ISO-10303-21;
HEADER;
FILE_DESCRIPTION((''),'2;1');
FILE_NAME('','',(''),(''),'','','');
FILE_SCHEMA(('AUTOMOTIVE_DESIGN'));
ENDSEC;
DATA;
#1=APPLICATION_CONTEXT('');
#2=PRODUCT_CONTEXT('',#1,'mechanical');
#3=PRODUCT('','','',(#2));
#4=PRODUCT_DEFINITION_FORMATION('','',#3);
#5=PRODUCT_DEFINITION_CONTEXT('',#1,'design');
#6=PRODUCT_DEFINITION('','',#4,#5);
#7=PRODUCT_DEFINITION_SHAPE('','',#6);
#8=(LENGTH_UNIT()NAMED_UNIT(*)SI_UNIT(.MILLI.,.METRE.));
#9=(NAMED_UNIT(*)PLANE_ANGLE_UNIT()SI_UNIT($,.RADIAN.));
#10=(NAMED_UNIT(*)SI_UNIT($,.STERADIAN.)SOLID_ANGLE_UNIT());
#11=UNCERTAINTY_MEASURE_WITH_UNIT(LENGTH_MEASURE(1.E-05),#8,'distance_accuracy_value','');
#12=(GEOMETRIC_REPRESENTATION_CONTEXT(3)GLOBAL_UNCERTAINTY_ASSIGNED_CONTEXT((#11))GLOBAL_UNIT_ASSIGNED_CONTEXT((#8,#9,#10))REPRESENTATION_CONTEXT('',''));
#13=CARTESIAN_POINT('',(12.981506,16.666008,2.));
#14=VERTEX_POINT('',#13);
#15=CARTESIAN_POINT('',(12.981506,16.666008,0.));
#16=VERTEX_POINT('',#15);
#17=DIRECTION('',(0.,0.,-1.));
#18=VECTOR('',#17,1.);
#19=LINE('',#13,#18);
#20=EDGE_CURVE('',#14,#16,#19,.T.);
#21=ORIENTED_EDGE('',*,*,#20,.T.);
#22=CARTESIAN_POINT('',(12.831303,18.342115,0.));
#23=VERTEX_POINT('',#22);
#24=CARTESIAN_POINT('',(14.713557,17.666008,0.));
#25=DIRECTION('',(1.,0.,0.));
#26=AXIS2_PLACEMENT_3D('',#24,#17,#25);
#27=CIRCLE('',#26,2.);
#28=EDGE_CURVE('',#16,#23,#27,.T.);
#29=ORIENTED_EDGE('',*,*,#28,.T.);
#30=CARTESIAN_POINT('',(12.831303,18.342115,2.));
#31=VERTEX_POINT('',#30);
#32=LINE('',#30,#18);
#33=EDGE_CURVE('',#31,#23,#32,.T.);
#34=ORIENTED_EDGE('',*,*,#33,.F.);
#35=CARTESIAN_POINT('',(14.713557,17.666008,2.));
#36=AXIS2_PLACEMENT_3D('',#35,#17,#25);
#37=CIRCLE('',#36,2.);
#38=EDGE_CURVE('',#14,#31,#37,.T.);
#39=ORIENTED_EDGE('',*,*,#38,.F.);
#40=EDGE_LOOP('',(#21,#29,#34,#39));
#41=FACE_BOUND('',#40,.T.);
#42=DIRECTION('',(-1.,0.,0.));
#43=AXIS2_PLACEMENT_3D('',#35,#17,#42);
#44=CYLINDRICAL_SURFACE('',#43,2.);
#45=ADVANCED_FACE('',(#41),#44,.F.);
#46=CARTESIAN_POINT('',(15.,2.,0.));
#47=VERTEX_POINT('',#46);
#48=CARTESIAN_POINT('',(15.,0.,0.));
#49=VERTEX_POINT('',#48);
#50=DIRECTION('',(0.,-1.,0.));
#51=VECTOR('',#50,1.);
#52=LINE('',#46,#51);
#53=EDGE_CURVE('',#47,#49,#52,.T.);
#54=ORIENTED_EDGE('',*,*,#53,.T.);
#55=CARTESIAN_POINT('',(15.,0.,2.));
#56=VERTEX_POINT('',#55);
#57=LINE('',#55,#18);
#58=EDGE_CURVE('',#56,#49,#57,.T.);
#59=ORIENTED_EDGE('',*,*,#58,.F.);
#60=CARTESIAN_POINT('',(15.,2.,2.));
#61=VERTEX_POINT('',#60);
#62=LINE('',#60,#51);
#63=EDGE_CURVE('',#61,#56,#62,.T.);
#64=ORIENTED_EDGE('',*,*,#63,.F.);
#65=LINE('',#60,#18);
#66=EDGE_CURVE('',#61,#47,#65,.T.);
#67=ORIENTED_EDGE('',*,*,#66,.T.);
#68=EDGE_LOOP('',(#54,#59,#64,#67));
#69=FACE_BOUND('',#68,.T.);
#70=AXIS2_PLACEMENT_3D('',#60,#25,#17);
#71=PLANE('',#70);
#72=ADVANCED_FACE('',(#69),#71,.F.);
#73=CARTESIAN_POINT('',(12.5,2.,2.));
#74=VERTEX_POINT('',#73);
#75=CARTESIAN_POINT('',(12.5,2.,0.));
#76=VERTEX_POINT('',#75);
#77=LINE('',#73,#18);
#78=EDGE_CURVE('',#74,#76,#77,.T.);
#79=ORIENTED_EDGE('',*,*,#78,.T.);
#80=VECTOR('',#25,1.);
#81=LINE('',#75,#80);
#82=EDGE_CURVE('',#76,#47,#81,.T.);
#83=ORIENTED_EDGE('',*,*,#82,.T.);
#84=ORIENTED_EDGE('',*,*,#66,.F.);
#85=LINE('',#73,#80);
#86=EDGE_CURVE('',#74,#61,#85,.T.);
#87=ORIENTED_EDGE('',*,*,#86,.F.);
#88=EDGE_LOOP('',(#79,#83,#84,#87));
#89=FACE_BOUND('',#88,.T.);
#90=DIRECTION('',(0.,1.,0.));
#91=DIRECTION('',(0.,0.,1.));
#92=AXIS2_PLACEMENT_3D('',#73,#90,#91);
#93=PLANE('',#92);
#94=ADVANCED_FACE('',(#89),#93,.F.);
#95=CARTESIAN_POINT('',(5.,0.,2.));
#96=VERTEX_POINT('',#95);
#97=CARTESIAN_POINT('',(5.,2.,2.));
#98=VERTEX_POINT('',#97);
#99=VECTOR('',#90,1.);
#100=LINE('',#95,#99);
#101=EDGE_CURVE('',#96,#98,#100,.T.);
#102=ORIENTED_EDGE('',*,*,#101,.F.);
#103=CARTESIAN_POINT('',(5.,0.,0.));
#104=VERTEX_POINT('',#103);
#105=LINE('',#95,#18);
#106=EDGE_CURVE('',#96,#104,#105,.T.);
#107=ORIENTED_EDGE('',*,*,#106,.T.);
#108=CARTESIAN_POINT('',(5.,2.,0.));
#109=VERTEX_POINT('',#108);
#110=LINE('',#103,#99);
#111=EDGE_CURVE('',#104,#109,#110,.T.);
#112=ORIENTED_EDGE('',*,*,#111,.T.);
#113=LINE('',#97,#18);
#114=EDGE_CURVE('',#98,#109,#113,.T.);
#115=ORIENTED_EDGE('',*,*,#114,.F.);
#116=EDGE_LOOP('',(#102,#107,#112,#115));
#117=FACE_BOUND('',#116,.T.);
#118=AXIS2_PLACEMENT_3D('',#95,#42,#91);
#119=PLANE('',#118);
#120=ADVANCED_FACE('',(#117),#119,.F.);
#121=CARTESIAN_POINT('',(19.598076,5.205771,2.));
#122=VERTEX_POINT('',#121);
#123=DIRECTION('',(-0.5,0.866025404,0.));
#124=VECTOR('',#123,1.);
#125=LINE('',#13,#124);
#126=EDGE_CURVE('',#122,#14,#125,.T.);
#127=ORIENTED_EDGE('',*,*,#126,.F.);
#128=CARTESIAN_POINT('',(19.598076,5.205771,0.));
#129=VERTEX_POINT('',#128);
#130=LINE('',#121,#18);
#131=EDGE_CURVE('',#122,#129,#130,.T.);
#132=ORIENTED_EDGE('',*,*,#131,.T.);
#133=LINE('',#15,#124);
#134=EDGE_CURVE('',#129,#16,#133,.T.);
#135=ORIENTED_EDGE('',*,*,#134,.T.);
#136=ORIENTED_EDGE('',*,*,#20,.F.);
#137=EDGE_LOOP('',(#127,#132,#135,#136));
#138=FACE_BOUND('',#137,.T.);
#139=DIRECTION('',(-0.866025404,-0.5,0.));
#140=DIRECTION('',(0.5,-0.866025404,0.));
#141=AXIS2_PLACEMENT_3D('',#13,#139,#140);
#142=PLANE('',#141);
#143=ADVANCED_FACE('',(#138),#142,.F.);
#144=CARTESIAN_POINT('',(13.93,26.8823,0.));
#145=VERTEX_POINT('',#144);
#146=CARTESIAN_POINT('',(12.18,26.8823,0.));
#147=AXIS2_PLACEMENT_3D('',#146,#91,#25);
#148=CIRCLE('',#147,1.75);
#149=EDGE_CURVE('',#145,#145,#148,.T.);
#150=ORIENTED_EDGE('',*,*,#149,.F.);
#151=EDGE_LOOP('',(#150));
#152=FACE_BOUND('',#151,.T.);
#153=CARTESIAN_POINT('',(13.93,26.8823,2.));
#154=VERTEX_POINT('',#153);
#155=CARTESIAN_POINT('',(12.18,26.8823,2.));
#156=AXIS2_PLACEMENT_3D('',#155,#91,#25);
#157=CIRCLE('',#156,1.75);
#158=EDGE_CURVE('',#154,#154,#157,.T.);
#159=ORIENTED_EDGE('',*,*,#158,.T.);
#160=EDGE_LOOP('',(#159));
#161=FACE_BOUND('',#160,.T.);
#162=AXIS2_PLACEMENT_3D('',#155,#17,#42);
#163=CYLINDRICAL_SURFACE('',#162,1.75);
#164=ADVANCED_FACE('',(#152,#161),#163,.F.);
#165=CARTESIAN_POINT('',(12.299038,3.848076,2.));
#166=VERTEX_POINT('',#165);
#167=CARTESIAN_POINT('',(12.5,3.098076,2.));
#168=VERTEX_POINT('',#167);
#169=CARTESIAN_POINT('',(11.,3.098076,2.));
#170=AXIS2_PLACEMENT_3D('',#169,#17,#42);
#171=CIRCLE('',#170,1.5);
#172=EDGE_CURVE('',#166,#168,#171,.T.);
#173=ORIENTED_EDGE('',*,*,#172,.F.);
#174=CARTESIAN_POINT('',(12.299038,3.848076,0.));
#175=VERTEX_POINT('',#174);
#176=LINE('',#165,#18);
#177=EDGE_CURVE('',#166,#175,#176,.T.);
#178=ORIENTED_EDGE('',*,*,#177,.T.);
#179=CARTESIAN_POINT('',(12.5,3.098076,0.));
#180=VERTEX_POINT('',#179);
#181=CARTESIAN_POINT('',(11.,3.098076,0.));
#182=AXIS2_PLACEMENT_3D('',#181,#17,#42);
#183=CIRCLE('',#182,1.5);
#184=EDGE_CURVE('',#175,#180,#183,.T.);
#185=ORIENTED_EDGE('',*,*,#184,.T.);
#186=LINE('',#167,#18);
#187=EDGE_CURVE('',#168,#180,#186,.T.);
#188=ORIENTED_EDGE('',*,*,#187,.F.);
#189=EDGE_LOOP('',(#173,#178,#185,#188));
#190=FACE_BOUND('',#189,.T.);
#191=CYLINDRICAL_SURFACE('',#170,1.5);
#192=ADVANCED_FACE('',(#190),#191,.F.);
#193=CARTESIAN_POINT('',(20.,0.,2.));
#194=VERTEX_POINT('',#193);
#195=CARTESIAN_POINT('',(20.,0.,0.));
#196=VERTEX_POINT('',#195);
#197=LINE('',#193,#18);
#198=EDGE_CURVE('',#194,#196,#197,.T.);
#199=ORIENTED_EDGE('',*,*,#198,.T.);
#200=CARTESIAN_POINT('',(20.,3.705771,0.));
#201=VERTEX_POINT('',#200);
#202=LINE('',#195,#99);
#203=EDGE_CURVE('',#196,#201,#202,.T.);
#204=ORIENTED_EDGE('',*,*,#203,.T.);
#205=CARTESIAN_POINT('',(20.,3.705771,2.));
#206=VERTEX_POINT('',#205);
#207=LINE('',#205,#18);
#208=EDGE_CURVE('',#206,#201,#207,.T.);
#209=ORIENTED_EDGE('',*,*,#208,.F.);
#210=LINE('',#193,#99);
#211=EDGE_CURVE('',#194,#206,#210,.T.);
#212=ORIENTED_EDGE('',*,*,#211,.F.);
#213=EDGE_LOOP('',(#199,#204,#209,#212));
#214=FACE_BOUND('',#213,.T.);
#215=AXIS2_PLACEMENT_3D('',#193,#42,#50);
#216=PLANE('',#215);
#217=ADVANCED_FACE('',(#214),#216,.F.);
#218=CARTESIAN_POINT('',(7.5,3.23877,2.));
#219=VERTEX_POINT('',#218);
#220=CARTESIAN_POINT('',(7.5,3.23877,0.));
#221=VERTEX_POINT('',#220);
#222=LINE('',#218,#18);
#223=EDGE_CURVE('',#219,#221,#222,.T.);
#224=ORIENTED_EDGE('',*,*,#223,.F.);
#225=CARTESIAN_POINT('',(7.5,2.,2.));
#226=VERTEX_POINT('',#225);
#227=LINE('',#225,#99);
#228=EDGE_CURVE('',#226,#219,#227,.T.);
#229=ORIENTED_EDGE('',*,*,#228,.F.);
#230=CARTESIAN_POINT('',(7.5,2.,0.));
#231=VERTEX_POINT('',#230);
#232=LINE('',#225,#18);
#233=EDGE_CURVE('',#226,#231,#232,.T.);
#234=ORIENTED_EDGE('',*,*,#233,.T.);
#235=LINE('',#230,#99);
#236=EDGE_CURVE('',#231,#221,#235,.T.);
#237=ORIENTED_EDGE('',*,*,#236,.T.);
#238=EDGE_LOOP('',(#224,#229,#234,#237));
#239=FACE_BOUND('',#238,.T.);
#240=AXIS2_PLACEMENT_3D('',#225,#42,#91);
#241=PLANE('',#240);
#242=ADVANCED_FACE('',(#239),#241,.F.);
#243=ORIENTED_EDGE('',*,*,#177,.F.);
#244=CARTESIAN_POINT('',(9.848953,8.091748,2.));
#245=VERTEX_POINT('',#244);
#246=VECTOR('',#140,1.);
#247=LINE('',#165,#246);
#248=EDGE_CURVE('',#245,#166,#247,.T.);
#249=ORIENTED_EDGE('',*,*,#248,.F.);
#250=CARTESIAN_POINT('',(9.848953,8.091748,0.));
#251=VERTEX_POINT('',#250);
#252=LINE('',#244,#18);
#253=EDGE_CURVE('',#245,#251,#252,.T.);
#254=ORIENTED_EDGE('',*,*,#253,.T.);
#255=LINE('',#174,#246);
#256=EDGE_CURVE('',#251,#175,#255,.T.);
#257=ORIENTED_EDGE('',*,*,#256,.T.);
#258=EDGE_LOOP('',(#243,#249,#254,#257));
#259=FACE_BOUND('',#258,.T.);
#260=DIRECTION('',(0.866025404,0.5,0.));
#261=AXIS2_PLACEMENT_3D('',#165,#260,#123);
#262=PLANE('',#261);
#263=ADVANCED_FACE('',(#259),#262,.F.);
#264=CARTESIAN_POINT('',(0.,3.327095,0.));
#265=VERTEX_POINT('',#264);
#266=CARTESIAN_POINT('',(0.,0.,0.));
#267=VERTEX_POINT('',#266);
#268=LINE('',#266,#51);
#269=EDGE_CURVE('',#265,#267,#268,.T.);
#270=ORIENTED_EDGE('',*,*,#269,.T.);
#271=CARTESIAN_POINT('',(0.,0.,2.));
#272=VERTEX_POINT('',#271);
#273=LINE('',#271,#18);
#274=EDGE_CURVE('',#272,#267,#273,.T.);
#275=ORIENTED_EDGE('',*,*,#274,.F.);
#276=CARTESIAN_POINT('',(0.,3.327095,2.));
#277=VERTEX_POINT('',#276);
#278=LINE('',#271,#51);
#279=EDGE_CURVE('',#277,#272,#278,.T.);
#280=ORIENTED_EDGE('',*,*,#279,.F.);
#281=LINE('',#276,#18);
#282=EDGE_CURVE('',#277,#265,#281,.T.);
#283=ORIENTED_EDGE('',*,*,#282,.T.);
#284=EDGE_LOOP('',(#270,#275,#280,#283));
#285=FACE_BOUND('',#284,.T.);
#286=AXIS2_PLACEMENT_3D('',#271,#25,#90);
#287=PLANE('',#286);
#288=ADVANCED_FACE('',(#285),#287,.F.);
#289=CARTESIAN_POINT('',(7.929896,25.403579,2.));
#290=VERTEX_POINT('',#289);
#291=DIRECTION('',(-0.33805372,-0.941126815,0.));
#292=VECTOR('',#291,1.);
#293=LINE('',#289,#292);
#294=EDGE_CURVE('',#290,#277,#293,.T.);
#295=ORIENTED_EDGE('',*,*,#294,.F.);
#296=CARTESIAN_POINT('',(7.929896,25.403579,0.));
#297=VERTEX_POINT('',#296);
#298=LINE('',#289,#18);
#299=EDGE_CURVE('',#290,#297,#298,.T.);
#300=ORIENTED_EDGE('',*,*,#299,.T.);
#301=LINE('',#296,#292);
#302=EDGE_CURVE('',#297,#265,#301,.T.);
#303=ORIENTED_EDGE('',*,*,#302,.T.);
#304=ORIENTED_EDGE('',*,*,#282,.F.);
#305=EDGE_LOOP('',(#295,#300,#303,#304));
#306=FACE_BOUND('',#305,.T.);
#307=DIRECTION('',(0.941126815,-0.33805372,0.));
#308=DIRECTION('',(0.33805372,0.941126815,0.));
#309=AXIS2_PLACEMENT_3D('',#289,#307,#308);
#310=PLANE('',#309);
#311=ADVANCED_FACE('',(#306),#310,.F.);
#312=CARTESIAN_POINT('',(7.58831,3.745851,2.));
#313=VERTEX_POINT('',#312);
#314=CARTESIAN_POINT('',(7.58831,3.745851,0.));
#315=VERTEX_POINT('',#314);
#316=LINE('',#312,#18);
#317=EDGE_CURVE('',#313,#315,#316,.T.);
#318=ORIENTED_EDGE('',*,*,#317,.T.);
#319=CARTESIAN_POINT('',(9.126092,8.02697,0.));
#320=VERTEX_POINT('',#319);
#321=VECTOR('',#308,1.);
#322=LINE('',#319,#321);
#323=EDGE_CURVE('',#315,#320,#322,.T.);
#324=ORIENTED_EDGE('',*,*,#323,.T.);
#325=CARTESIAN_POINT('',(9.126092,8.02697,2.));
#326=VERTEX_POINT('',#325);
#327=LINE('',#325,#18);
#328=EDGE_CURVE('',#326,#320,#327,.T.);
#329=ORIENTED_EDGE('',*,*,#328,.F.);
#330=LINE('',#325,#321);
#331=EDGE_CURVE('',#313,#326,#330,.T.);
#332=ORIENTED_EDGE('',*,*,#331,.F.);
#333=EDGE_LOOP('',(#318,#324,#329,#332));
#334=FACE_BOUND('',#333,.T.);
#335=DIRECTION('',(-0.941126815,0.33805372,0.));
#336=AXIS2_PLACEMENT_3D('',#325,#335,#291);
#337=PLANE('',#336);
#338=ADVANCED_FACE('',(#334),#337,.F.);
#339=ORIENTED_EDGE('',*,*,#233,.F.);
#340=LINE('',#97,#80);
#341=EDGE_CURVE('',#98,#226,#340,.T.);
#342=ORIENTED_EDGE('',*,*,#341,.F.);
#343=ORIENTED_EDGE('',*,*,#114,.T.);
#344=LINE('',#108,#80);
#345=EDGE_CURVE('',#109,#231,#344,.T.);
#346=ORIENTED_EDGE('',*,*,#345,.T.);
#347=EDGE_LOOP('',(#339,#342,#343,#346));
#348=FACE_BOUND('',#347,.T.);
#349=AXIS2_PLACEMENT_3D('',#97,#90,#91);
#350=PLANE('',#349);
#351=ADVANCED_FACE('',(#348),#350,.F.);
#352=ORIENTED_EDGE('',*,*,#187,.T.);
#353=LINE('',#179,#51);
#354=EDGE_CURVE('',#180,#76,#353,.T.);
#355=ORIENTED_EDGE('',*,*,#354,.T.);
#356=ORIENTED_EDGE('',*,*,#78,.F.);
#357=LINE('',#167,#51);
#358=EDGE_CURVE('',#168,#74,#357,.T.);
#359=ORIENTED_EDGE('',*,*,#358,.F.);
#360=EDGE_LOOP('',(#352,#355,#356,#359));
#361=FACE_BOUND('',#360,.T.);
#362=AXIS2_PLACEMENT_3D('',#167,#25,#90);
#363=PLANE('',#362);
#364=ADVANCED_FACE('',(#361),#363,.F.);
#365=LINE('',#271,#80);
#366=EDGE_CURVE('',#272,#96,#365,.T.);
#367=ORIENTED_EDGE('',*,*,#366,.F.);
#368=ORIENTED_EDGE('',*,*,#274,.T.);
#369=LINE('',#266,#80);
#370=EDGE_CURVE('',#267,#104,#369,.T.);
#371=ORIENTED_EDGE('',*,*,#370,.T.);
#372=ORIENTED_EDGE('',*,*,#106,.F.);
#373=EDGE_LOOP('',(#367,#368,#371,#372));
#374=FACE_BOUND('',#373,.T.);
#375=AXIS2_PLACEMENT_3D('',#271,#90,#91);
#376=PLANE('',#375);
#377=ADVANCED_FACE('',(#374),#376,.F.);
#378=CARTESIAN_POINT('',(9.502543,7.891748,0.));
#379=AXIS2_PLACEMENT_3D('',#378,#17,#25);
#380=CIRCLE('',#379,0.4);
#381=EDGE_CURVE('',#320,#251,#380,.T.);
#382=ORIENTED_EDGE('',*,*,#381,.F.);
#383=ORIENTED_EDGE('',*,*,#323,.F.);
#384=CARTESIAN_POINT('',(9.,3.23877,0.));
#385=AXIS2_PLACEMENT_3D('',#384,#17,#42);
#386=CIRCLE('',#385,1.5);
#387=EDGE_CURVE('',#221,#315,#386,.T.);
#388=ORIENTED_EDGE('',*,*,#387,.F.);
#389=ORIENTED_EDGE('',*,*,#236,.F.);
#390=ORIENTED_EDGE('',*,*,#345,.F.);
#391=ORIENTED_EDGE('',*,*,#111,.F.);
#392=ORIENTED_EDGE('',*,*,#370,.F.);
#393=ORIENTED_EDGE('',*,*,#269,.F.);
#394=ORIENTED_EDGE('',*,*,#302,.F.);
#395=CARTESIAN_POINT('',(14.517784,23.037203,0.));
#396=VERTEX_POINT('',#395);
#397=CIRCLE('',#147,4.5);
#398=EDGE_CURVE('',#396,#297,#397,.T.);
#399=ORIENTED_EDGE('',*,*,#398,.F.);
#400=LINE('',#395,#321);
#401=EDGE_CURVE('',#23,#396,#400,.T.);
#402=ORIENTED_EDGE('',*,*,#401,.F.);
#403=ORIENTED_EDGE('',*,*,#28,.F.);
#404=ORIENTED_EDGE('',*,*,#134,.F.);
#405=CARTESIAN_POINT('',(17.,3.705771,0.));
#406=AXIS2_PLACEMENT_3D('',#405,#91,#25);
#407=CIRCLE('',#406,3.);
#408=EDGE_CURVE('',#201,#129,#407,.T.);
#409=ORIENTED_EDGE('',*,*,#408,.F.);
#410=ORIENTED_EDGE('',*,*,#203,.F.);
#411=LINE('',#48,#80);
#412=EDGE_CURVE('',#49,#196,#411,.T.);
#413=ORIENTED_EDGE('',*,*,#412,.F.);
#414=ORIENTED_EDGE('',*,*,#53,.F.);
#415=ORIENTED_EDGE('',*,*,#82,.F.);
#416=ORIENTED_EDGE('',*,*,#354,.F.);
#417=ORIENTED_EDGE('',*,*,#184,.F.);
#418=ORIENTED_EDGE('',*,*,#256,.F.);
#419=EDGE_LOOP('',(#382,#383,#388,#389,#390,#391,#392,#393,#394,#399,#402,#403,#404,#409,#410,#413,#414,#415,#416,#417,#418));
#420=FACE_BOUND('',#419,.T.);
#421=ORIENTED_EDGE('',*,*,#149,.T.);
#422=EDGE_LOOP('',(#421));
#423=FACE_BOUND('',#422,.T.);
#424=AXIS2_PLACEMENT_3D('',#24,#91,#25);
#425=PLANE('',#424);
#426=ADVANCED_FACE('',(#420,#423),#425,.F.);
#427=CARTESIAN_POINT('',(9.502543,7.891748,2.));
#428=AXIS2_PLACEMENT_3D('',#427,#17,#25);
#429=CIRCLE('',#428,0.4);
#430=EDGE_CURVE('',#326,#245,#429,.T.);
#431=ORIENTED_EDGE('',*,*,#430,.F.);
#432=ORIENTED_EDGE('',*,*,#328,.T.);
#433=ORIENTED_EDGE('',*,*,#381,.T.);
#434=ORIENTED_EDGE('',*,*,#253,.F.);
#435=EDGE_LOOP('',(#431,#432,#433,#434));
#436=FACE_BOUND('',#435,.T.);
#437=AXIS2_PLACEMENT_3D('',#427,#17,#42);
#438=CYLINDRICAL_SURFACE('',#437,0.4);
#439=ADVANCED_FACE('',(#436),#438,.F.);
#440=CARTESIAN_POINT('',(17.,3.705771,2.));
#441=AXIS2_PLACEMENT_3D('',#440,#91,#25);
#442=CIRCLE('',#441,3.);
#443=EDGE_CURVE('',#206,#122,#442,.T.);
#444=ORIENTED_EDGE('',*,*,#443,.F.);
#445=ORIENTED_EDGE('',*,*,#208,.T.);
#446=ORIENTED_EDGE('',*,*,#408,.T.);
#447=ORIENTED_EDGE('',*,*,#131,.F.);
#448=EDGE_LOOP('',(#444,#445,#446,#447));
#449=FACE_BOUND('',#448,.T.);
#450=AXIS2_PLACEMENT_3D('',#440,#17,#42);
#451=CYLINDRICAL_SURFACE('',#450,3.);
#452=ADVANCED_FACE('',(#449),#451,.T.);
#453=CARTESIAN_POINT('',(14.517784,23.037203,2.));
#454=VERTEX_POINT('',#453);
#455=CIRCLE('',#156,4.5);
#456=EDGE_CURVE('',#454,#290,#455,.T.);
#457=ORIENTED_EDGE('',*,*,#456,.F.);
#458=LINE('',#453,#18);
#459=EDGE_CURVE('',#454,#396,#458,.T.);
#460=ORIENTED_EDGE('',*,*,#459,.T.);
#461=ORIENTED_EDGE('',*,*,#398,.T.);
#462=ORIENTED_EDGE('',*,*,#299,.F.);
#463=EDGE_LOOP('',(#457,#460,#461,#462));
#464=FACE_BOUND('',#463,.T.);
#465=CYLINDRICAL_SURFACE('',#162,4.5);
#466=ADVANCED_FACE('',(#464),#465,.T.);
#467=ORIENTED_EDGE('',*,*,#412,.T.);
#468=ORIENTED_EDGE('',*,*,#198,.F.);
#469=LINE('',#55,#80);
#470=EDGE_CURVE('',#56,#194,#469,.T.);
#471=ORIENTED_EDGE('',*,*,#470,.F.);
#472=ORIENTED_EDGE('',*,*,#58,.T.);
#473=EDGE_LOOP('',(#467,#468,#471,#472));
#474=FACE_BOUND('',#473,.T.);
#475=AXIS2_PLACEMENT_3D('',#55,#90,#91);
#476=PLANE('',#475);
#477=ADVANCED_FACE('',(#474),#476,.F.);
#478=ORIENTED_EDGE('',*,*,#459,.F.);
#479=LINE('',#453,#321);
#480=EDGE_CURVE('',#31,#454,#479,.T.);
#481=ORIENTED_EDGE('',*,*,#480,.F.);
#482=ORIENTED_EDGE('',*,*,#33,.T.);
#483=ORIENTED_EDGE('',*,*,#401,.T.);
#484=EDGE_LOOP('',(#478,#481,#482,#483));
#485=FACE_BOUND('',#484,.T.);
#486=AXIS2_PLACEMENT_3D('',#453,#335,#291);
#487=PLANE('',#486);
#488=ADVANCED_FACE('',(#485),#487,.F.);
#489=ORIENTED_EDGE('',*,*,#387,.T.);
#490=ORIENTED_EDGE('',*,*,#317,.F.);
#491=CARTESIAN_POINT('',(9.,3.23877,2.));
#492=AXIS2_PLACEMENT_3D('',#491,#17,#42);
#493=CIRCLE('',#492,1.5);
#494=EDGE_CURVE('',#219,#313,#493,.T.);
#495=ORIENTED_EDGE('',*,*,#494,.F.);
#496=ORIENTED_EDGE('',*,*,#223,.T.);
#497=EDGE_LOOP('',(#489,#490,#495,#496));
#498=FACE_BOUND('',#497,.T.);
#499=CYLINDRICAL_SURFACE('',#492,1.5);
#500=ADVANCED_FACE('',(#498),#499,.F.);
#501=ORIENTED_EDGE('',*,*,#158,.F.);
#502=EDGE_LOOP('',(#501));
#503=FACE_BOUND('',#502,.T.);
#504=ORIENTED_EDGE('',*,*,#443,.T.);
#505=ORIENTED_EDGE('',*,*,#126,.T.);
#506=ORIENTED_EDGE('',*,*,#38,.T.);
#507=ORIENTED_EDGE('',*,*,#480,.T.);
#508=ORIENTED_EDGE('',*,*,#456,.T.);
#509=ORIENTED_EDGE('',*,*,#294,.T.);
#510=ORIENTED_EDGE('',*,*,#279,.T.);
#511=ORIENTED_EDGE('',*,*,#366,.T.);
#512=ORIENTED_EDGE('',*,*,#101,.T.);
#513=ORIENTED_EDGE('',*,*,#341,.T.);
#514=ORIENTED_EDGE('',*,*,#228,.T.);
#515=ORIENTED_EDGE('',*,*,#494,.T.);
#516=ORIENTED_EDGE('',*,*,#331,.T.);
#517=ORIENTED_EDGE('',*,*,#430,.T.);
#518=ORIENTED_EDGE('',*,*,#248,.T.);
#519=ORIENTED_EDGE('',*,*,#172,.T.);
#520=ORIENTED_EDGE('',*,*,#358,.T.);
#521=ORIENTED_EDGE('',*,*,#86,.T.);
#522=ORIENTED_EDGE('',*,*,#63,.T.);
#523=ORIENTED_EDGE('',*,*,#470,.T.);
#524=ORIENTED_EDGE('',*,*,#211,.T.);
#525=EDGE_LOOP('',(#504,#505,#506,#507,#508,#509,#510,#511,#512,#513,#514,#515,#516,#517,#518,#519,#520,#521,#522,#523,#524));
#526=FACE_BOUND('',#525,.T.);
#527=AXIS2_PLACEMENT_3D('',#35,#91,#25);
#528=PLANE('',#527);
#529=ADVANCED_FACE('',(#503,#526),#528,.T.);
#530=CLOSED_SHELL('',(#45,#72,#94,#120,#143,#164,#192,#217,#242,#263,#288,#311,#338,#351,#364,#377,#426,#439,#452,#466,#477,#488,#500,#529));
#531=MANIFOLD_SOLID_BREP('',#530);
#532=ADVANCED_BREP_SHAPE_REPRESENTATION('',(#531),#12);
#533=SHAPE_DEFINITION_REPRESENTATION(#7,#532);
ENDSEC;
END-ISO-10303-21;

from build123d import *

# Parameters (mm, degrees)
SKETCH1_R           = 1.75
BOSS_EXTRUDE1_DEPTH = 2


with BuildPart() as part:
    # Sketch1 → Boss-Extrude1 (new body)
    with BuildSketch(Plane.XY):
        with BuildLine():
            Line((0, 0), (0, 3.327095189))
            Line((0, 3.327095189), (7.929895835, 25.403579408))
            ThreePointArc((7.929895835, 25.403579408), (13.70124174, 31.117370669), (14.517783542, 23.037203368))
            Line((14.517783542, 23.037203368), (12.831302958, 18.342114962))
            ThreePointArc((12.831302958, 18.342114962), (12.721539225, 17.487494723), (12.981505781, 16.666007522))
            Line((12.981505781, 16.666007522), (19.598076211, 5.205771366))
            ThreePointArc((19.598076211, 5.205771366), (19.897777479, 4.482228501), (20, 3.705771366))
            Line((20, 3.705771366), (20, 0))
            Line((20, 0), (15, 0))
            Line((15, 0), (15, 2))
            Line((15, 2), (12.5, 2))
            Line((12.5, 2), (12.5, 3.098076211))
            ThreePointArc((12.5, 3.098076211), (12.448888739, 3.486304779), (12.299038106, 3.848076211))
            Line((12.299038106, 3.848076211), (9.848953011, 8.091748078))
            ThreePointArc((9.848953011, 8.091748078), (9.46684029, 8.290151551), (9.126092124, 8.026969566))
            Line((9.126092124, 8.026969566), (7.588309777, 3.745850569))
            ThreePointArc((7.588309777, 3.745850569), (7.522242352, 3.49612642), (7.5, 3.238769989))
            Line((7.5, 3.238769989), (7.5, 2))
            Line((7.5, 2), (5, 2))
            Line((5, 2), (5, 0))
            Line((5, 0), (0, 0))
        make_face()
        with Locations((12.18, 26.8823)):
            Circle(SKETCH1_R, mode=Mode.SUBTRACT)
    extrude(amount=BOSS_EXTRUDE1_DEPTH)


solid = part.part
